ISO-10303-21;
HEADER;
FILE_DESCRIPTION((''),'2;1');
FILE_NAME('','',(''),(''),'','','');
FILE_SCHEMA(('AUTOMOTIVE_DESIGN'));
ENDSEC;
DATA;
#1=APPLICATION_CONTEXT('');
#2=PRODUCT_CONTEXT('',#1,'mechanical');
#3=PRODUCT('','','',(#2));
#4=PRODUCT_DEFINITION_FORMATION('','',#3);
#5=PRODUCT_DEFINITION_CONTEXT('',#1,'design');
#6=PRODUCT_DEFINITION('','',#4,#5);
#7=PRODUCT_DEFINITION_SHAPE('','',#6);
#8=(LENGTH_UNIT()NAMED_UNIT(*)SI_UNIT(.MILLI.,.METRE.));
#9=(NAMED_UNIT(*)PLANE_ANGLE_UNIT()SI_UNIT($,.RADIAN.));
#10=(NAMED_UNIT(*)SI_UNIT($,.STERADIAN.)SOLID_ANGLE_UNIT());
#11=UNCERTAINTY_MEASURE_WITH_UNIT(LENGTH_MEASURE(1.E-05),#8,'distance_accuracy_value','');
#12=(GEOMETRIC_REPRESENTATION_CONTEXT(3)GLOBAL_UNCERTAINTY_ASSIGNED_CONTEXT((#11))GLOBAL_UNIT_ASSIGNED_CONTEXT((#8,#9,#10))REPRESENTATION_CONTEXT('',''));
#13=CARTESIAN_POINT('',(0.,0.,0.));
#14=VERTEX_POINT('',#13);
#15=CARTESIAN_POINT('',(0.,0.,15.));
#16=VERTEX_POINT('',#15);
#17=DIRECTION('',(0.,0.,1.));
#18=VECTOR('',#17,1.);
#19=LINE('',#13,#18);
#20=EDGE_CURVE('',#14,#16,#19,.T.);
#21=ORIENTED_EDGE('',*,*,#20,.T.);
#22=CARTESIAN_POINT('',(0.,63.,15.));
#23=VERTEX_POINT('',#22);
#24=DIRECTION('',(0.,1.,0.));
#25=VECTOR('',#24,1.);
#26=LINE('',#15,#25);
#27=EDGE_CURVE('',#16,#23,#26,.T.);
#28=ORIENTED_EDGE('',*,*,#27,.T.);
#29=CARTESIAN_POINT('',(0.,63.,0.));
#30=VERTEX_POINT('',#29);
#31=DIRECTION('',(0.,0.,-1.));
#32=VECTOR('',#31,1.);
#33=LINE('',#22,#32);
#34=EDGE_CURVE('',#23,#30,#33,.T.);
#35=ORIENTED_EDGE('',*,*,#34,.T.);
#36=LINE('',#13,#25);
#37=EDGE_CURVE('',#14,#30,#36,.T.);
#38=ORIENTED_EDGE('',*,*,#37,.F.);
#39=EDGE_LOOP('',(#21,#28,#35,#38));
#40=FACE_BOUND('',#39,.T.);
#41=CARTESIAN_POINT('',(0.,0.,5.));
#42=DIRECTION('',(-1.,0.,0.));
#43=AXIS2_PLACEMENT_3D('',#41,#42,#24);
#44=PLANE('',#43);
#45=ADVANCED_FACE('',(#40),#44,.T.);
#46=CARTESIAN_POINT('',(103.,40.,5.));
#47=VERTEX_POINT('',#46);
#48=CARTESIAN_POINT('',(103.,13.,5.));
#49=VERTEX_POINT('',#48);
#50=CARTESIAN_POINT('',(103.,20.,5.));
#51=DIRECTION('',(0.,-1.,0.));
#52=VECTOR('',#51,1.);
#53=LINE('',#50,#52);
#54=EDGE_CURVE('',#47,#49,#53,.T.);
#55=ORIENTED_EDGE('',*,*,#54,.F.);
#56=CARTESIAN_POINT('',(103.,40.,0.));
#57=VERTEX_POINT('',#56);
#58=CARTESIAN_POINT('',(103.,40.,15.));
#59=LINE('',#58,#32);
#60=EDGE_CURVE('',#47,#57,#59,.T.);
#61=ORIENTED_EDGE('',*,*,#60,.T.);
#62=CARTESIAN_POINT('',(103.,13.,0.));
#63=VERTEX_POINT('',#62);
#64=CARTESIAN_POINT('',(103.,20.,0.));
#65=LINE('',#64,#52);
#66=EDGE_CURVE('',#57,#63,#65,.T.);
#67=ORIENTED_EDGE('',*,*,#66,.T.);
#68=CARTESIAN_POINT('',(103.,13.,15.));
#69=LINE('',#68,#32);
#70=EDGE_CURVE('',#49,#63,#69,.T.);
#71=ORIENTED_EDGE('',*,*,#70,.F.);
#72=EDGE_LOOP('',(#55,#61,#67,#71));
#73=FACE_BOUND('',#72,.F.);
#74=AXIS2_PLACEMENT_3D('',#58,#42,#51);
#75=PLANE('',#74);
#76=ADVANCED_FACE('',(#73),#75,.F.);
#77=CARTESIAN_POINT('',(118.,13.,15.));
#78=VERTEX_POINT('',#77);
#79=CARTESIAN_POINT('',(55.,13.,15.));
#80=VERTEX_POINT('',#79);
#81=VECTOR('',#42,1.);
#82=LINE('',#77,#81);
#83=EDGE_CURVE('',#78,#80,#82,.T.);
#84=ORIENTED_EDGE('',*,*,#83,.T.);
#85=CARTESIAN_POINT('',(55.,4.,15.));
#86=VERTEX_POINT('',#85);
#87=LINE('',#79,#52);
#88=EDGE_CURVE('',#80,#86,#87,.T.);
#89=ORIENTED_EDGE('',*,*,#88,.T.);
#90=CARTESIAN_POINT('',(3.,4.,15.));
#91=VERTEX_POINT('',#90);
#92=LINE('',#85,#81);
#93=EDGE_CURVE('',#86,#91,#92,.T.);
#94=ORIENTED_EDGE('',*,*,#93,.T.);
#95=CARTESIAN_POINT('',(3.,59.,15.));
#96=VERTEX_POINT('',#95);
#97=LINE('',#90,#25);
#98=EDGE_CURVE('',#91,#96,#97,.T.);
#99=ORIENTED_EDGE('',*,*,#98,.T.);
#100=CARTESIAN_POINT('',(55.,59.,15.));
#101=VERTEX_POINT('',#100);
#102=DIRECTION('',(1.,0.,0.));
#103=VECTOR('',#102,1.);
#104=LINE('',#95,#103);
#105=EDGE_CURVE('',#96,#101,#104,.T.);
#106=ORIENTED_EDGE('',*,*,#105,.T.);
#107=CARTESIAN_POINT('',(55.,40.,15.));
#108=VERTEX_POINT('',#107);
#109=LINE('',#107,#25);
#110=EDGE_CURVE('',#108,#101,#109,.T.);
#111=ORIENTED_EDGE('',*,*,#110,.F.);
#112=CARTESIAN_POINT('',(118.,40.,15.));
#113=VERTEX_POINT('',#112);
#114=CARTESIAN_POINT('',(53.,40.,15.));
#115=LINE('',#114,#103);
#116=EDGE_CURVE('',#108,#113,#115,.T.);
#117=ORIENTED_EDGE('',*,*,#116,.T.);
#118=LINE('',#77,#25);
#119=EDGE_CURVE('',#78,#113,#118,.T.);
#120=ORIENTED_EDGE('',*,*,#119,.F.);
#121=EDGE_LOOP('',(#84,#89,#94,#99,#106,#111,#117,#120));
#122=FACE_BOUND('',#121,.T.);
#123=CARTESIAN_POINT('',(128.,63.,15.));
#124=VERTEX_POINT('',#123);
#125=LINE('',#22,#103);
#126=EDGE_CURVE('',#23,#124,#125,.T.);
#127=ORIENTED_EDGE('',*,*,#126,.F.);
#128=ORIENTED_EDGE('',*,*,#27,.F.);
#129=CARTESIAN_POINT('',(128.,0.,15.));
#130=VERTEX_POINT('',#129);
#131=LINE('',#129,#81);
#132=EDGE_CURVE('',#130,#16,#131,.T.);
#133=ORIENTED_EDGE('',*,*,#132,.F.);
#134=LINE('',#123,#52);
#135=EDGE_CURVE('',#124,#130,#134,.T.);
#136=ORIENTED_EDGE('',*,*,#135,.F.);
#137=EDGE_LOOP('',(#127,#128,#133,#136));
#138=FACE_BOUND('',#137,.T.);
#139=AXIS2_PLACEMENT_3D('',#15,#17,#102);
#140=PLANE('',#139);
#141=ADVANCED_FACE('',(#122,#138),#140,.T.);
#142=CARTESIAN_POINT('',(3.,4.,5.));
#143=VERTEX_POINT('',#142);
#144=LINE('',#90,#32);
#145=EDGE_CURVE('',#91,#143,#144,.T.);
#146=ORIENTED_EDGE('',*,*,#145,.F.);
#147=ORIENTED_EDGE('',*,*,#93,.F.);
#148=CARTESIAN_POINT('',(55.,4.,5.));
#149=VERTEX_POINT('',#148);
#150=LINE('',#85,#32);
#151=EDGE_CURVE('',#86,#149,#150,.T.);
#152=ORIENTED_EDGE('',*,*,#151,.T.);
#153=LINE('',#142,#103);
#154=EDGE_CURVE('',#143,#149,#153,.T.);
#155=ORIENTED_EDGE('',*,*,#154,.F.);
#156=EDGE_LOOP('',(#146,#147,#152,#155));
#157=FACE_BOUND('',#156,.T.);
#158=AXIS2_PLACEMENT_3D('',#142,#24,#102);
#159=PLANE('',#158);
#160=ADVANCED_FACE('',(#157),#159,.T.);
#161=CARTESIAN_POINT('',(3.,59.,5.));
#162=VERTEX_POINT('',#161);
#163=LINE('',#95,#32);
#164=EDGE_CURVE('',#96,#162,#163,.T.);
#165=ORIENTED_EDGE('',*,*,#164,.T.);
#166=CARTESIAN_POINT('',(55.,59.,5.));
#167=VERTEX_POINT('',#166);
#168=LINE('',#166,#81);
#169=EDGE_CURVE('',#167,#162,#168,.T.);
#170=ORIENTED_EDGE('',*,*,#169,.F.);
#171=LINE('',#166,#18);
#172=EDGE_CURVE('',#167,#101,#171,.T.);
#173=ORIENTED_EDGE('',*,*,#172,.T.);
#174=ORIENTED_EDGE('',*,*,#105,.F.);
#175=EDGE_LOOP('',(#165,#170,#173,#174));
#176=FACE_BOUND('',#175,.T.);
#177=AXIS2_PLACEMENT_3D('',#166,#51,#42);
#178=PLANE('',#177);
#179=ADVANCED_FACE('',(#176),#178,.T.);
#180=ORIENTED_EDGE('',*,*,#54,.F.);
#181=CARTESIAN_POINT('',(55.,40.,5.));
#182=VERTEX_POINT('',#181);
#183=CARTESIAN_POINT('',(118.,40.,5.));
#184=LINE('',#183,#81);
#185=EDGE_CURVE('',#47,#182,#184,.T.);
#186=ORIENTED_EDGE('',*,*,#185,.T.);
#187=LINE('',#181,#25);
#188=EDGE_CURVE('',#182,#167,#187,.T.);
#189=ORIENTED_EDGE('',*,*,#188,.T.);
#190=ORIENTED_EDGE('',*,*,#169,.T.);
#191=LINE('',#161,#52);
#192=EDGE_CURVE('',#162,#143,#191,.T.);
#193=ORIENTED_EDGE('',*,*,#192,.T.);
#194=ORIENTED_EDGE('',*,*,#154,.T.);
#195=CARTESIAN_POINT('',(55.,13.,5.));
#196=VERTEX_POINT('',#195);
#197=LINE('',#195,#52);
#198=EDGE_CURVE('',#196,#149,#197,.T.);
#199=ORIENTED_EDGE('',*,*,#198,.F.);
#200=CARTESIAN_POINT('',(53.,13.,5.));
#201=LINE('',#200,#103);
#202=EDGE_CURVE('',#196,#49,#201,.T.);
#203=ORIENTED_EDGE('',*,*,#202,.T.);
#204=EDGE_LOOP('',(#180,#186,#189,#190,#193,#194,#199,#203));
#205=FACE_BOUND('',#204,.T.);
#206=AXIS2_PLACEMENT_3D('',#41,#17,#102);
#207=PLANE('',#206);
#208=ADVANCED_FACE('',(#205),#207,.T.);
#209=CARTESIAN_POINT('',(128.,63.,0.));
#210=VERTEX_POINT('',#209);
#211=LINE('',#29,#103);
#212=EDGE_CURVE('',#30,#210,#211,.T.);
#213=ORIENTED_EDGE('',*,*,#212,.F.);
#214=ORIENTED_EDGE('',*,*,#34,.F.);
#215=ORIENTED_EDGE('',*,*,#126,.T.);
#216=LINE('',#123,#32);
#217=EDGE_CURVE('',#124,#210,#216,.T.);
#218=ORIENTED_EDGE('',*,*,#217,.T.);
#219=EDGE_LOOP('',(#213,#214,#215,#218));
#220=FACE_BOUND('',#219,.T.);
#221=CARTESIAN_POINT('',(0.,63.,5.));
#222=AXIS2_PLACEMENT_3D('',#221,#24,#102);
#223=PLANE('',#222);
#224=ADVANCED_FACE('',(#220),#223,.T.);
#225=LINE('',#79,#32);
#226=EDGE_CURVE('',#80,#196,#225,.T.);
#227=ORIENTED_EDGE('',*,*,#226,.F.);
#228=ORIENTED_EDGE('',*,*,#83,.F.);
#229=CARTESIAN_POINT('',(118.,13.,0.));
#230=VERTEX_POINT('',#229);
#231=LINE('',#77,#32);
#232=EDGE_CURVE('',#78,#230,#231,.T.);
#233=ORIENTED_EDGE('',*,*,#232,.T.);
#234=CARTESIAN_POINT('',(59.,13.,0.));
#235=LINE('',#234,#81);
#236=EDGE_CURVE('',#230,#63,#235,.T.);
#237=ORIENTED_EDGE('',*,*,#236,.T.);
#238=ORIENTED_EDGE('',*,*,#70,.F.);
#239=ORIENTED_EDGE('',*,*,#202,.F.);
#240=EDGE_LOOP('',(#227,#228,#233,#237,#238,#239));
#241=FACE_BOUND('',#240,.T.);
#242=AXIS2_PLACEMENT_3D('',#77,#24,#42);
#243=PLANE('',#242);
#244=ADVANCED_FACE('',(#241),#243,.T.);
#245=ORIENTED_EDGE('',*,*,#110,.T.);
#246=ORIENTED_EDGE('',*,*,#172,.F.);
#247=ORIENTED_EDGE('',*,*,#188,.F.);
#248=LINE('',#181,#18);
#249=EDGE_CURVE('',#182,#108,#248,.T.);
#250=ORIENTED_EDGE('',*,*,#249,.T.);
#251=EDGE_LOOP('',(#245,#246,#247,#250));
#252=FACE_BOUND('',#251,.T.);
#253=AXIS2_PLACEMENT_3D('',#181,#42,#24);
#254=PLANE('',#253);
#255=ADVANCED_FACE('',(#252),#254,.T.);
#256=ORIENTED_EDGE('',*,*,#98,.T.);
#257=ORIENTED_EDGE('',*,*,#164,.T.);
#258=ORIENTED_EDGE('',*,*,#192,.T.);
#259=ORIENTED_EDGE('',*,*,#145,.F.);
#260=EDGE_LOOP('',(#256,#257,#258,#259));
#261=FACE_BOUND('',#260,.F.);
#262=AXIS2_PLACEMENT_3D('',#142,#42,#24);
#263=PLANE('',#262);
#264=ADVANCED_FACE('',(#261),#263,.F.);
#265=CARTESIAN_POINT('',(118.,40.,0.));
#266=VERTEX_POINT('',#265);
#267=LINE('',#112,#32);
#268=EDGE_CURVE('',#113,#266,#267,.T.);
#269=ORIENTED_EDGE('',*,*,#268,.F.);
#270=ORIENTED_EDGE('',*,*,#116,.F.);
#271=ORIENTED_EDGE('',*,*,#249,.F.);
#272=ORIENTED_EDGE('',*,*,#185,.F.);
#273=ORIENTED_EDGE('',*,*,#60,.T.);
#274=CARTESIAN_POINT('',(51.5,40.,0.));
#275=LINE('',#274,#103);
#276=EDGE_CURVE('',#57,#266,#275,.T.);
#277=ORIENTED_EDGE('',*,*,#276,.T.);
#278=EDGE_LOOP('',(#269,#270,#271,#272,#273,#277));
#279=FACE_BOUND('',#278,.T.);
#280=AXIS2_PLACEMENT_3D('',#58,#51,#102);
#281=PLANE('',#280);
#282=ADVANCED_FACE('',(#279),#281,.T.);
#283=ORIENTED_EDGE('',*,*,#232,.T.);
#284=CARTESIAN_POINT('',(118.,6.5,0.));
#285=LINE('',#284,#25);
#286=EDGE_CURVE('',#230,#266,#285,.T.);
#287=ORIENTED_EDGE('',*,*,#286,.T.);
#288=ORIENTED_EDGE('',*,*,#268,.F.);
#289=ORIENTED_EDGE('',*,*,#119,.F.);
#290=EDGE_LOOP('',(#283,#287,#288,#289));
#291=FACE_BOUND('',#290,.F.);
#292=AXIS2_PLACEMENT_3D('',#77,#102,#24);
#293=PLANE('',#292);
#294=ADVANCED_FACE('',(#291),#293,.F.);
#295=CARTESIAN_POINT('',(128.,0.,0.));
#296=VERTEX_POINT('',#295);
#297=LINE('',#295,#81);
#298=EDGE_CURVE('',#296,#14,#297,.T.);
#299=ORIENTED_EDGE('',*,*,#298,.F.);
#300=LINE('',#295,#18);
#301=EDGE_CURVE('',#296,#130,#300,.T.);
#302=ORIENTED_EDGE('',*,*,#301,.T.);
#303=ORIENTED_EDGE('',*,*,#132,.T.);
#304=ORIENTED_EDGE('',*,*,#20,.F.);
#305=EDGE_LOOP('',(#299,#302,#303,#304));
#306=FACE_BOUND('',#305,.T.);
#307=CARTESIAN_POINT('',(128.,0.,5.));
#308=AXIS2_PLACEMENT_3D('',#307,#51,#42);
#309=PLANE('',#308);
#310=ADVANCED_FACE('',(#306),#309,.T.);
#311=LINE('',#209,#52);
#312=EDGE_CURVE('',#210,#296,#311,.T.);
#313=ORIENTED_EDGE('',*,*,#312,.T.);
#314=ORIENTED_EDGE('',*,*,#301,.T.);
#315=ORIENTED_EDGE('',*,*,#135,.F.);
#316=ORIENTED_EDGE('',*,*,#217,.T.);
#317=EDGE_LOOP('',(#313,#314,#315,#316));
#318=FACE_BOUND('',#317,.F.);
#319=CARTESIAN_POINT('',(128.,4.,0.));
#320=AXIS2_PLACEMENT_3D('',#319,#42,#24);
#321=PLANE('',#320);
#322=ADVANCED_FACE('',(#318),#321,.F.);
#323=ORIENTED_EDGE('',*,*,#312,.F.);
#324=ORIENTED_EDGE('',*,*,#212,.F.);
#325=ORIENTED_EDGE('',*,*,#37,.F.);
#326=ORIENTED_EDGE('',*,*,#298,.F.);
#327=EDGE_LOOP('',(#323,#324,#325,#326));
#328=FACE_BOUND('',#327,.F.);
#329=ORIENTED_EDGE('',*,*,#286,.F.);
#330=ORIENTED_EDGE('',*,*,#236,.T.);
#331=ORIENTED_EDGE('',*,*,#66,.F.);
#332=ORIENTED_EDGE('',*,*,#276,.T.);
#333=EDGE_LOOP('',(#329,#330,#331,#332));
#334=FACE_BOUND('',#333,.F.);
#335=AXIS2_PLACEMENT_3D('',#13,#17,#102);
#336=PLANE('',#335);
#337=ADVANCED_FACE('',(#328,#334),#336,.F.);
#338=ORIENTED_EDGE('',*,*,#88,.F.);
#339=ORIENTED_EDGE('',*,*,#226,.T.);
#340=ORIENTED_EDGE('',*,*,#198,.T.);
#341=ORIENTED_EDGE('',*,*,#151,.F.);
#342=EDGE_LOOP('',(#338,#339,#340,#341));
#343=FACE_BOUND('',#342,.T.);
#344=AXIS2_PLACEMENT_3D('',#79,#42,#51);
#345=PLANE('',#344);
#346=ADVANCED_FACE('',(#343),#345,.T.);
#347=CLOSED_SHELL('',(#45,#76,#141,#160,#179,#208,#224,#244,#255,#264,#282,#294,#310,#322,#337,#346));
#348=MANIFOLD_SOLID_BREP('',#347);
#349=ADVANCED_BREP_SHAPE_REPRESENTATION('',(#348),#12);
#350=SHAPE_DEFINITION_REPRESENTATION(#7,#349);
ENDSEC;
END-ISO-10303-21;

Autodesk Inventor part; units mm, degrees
ref_plane "YZ Plane" through (0, 0, 0) normal (1, 0, 0) x (0, 1, 0)
ref_plane "XZ Plane" through (0, 0, 0) normal (0, 1, 0) x (-1, 0, 0)
ref_plane "XY Plane" through (0, 0, 0) normal (0, 0, 1) x (1, 0, 0)
sketch "Sketch3" plane through (0, 0, 0) normal (0, 0, 1) x (1, 0, 0)
  line L0 (3, 4) -> (128, 4)
  line L1 (128, 4) -> (128, 59)
  line L2 (128, 59) -> (3, 59)
  line L3 (3, 59) -> (3, 4)
  point P0 (0, 0)
  dimension "d0" = 125
  dimension "d1" = 55
extrude "Extrusion1" add sketch "Sketch3" along normal blind 5
sketch "Sketch7" plane through (0, 0, 5) normal (0, 0, 1) x (1, 0, 0)
  line L0 (128, 4) -> (128, 59) projected
  line L1 (0, 4) -> (128, 4) projected
  line L2 (128, 59) -> (53, 59)
  line L3 (53, 59) -> (53, 4)
  line L4 (53, 4) -> (128, 4)
  line L5 (128, 4) -> (128, 59)
  point P0 (0, 0)
  dimension "d20" = 75
extrude "Extrusion3" add sketch "Sketch7" along normal blind 10
sketch "Sketch8" plane through (0, 0, 15) normal (0, 0, 1) x (1, 0, 0)
  line L0 (53, 59) -> (53, 4) projected
  line L1 (53, 4) -> (53, 13)
  line L2 (53, 13) -> (118, 13)
  line L3 (118, 13) -> (118, 40)
  line L4 (118, 40) -> (53, 40)
  line L5 (53, 40) -> (53, 13)
  point P0 (0, 0)
  dimension "d23" = 9
  dimension "d24" = 65
  dimension "d25" = 27
extrude "Extrusion4" cut sketch "Sketch8" against normal blind 10
sketch "Sketch9" plane through (0, 0, 15) normal (0, 0, 1) x (1, 0, 0)
  line L0 (53, 40) -> (118, 40) projected
  line L1 (118, 13) -> (53, 13) projected
  line L2 (118, 40) -> (103, 40)
  line L3 (103, 40) -> (103, 13)
  line L4 (103, 13) -> (118, 13)
  line L5 (118, 13) -> (118, 40)
  point P0 (0, 0)
  dimension "d28" = 15
extrude "Extrusion5" cut sketch "Sketch9" against normal blind 20
sketch "Sketch12" plane through (0, 0, 5) normal (0, 0, 1) x (1, 0, 0)
  line L0 (0, 0) -> (0, 63)
  line L1 (0, 63) -> (128, 63)
  line L2 (128, 63) -> (128, 59)
  line L3 (3, 59) -> (128, 59) projected
  line L4 (128, 59) -> (3, 59)
  line L5 (3, 4) -> (3, 59) projected
  line L6 (3, 59) -> (3, 4)
  line L7 (128, 59) -> (128, 4) projected
  line L8 (3, 4) -> (128, 4)
  line L9 (128, 4) -> (128, 0)
  line L10 (128, 0) -> (0, 0)
  dimension "d35" = 63
  dimension "d36" = 128
  dimension "d37" = 90
extrude "Extrusion6" add sketch "Sketch12" along normal blind 10 and the other way blind 5 contours L0 L1 L2 L3 L5 L8 L9 L10
sketch "Sketch14" plane through (0, 0, 5) normal (0, 0, 1) x (1, 0, 0)
  line L0 (53, 40) -> (103, 40) projected
  line L1 (53, 40) -> (55, 40)
  line L2 (55, 40) -> (55, 59)
  line L3 (55, 59) -> (53, 59)
  line L4 (53, 59) -> (53, 40)
  point P0 (0, 0)
  dimension "d42" = 2
extrude "Extrusion7" cut sketch "Sketch14" along normal blind 10
sketch "Sketch15" plane through (0, 0, 15) normal (0, 0, 1) x (1, 0, 0)
  line L0 (53, 4) -> (53, 13) projected
  line L1 (53, 13) -> (55, 13)
  line L2 (55, 13) -> (55, 4)
  line L3 (55, 4) -> (53, 4)
  line L4 (53, 4) -> (53, 13)
  point P0 (0, 0)
  dimension "d45" = 2
extrude "Extrusion8" cut sketch "Sketch15" against normal blind 10
sketch "Sketch17" plane through (0, 0, 15) normal (0, 0, 1) x (1, 0, 0)
  point P0 (0, 0)
properties part number "Case"
